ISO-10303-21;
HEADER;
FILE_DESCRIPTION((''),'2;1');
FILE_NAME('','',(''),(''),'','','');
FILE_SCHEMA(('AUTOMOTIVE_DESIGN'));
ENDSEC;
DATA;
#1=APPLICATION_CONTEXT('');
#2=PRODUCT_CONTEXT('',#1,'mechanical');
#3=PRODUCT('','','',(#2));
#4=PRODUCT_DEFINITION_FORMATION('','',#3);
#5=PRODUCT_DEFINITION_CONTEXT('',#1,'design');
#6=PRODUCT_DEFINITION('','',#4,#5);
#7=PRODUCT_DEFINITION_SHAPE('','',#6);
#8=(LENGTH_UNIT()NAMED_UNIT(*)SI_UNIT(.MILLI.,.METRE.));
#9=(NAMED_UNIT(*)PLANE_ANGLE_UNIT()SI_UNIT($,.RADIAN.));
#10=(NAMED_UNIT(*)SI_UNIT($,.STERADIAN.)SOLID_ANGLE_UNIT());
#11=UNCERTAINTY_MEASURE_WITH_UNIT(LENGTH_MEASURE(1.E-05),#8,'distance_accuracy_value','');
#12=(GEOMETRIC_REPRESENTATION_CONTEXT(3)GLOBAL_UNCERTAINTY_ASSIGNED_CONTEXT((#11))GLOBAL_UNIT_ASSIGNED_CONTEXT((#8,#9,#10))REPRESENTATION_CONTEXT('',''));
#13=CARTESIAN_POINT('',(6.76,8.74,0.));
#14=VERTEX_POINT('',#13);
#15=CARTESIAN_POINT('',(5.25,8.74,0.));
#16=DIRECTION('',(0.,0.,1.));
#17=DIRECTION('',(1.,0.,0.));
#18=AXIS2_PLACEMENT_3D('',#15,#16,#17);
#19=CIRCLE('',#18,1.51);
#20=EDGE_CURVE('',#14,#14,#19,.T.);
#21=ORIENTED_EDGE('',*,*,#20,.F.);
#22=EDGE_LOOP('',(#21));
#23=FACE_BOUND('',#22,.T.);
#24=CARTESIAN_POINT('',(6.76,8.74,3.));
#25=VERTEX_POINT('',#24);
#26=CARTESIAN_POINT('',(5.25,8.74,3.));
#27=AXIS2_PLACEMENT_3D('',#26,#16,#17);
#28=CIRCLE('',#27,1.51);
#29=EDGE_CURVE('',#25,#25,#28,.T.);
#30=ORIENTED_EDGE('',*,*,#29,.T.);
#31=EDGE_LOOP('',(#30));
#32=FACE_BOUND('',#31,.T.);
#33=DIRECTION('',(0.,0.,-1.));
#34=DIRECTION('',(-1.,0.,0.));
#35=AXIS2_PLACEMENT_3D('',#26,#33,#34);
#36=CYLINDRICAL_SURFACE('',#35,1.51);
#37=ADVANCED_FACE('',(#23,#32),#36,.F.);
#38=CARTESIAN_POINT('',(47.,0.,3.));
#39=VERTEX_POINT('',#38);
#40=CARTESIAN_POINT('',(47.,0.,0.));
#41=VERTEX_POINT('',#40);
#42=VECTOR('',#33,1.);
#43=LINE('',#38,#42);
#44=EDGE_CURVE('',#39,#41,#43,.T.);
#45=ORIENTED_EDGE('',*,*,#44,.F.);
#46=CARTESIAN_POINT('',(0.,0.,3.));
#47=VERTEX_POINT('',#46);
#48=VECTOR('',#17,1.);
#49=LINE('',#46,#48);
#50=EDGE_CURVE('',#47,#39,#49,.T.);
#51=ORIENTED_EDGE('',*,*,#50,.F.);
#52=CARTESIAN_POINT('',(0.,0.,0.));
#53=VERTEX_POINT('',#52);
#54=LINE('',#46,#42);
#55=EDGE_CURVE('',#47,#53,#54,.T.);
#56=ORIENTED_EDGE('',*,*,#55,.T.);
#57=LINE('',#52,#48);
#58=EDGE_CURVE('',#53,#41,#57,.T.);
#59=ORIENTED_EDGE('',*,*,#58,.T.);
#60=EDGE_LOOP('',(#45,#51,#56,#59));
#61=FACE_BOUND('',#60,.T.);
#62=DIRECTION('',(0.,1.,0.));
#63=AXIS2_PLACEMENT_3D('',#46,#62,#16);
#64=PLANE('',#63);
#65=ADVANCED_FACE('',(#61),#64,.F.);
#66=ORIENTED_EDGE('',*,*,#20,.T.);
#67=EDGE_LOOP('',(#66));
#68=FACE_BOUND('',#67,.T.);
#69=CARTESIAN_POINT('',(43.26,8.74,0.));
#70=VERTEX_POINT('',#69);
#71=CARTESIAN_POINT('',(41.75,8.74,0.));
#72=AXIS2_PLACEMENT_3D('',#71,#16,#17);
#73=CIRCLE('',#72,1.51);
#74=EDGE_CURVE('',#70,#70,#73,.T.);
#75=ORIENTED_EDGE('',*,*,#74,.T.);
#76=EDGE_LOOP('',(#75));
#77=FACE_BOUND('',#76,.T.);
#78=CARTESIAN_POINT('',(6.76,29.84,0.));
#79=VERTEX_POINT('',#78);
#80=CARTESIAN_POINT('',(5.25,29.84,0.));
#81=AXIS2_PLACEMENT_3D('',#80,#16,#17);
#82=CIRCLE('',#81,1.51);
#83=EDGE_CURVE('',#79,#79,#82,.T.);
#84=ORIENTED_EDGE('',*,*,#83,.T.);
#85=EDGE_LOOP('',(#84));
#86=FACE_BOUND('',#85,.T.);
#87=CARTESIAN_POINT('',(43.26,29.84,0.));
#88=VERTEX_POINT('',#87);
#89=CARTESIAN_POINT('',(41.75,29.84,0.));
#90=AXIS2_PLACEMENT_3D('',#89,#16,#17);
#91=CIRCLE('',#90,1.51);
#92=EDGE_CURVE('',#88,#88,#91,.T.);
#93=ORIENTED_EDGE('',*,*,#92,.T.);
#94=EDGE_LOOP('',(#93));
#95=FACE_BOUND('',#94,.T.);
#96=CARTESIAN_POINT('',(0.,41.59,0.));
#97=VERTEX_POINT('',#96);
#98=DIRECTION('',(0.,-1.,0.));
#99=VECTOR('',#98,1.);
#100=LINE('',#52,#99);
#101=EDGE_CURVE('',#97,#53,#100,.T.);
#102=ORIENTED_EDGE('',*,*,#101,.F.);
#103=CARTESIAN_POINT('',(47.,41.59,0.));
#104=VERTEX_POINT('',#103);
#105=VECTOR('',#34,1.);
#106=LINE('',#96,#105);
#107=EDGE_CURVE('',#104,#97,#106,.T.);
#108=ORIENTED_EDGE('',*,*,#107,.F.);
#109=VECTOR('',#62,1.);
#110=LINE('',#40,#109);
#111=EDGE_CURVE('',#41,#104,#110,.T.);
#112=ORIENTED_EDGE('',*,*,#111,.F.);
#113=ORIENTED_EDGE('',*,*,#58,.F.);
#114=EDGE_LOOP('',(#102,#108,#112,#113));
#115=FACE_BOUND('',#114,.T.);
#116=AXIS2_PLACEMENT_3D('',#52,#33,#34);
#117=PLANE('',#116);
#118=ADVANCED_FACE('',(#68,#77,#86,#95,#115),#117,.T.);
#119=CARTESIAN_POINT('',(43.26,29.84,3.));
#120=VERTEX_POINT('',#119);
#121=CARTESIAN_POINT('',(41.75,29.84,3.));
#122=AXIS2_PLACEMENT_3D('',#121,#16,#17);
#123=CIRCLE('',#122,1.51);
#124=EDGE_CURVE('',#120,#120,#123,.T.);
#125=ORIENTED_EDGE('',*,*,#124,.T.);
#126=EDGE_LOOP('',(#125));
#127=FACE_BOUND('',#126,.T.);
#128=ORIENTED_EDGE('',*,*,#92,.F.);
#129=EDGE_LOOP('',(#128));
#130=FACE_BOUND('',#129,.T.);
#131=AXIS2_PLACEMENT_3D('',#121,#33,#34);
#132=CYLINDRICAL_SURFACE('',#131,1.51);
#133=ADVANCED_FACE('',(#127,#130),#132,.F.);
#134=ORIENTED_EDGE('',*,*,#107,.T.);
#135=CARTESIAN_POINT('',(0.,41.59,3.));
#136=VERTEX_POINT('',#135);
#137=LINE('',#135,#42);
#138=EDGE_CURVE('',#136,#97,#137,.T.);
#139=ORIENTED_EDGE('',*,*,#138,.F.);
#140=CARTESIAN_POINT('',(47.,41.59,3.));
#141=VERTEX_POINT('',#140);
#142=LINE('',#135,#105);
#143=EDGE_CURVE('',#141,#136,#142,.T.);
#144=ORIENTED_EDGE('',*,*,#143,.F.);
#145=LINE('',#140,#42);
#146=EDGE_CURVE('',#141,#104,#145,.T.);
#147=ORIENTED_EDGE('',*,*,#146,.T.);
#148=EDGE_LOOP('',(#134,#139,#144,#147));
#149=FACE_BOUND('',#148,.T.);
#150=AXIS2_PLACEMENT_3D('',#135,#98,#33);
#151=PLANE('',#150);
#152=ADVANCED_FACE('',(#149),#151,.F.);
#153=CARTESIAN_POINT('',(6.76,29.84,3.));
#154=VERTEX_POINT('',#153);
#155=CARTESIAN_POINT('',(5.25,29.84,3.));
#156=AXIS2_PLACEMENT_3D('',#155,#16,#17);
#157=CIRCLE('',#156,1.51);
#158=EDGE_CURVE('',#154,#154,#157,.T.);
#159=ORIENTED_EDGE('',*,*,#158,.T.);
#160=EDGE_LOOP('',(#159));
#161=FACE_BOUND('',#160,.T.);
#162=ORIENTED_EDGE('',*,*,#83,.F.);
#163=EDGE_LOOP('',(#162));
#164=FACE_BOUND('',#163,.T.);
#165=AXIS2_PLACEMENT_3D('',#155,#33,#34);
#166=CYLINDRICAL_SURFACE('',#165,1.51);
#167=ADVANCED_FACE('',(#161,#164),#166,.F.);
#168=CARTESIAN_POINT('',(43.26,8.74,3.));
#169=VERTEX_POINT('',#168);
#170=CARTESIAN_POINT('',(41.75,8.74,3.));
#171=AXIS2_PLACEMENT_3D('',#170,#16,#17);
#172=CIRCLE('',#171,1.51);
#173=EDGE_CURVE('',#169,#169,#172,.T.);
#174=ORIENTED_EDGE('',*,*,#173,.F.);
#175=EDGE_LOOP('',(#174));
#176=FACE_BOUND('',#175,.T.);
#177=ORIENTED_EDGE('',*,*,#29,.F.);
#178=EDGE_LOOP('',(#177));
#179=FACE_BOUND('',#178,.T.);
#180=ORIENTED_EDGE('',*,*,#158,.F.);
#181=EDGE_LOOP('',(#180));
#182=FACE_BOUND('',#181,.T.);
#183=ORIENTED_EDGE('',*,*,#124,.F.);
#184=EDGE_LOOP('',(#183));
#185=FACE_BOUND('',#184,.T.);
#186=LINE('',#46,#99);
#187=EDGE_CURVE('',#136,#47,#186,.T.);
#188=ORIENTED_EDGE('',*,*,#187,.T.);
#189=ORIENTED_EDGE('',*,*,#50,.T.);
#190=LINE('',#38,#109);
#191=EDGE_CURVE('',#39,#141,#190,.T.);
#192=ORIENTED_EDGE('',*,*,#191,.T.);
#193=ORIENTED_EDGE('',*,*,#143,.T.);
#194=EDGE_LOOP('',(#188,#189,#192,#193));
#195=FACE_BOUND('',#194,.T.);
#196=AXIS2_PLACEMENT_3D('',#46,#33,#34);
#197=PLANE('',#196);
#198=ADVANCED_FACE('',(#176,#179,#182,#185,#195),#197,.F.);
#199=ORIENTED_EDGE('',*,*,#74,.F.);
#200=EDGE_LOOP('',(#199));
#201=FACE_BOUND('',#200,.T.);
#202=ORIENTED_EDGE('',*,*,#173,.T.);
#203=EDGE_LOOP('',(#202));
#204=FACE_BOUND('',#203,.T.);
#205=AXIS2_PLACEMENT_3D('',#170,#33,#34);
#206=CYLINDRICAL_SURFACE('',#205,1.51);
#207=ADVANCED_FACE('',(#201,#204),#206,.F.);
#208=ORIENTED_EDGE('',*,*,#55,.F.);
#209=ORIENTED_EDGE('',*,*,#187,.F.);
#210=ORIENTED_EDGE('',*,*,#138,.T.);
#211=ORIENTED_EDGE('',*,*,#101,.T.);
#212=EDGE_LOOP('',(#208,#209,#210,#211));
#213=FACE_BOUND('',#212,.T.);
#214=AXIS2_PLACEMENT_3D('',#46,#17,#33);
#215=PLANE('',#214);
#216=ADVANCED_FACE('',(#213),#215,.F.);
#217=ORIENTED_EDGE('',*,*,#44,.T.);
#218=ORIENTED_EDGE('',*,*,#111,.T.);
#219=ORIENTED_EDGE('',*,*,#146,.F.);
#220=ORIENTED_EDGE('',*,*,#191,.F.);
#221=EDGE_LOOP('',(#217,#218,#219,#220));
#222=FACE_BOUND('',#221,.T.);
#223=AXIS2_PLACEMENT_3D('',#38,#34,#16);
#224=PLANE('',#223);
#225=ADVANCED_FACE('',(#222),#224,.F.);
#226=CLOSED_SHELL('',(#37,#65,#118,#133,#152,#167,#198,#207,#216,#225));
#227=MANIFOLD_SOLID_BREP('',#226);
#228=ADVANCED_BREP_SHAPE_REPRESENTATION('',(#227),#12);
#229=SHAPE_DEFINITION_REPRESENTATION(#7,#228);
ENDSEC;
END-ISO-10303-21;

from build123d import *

# Parameters (mm, degrees)
SKETCH1_W           = 47
SKETCH1_H           = 41.59
SKETCH1_R           = 1.51
BOSS_EXTRUDE1_DEPTH = 3


with BuildPart() as part:
    # Sketch1 → Boss-Extrude1 (new body)
    with BuildSketch(Plane.XY):
        with Locations((23.5, 20.795)):
            Rectangle(SKETCH1_W, SKETCH1_H)
        with Locations((5.25, 8.74)):
            Circle(SKETCH1_R, mode=Mode.SUBTRACT)
        with Locations((41.75, 8.74)):
            Circle(SKETCH1_R, mode=Mode.SUBTRACT)
        with Locations((41.75, 29.84)):
            Circle(SKETCH1_R, mode=Mode.SUBTRACT)
        with Locations((5.25, 29.84)):
            Circle(SKETCH1_R, mode=Mode.SUBTRACT)
    extrude(amount=BOSS_EXTRUDE1_DEPTH)


solid = part.part
